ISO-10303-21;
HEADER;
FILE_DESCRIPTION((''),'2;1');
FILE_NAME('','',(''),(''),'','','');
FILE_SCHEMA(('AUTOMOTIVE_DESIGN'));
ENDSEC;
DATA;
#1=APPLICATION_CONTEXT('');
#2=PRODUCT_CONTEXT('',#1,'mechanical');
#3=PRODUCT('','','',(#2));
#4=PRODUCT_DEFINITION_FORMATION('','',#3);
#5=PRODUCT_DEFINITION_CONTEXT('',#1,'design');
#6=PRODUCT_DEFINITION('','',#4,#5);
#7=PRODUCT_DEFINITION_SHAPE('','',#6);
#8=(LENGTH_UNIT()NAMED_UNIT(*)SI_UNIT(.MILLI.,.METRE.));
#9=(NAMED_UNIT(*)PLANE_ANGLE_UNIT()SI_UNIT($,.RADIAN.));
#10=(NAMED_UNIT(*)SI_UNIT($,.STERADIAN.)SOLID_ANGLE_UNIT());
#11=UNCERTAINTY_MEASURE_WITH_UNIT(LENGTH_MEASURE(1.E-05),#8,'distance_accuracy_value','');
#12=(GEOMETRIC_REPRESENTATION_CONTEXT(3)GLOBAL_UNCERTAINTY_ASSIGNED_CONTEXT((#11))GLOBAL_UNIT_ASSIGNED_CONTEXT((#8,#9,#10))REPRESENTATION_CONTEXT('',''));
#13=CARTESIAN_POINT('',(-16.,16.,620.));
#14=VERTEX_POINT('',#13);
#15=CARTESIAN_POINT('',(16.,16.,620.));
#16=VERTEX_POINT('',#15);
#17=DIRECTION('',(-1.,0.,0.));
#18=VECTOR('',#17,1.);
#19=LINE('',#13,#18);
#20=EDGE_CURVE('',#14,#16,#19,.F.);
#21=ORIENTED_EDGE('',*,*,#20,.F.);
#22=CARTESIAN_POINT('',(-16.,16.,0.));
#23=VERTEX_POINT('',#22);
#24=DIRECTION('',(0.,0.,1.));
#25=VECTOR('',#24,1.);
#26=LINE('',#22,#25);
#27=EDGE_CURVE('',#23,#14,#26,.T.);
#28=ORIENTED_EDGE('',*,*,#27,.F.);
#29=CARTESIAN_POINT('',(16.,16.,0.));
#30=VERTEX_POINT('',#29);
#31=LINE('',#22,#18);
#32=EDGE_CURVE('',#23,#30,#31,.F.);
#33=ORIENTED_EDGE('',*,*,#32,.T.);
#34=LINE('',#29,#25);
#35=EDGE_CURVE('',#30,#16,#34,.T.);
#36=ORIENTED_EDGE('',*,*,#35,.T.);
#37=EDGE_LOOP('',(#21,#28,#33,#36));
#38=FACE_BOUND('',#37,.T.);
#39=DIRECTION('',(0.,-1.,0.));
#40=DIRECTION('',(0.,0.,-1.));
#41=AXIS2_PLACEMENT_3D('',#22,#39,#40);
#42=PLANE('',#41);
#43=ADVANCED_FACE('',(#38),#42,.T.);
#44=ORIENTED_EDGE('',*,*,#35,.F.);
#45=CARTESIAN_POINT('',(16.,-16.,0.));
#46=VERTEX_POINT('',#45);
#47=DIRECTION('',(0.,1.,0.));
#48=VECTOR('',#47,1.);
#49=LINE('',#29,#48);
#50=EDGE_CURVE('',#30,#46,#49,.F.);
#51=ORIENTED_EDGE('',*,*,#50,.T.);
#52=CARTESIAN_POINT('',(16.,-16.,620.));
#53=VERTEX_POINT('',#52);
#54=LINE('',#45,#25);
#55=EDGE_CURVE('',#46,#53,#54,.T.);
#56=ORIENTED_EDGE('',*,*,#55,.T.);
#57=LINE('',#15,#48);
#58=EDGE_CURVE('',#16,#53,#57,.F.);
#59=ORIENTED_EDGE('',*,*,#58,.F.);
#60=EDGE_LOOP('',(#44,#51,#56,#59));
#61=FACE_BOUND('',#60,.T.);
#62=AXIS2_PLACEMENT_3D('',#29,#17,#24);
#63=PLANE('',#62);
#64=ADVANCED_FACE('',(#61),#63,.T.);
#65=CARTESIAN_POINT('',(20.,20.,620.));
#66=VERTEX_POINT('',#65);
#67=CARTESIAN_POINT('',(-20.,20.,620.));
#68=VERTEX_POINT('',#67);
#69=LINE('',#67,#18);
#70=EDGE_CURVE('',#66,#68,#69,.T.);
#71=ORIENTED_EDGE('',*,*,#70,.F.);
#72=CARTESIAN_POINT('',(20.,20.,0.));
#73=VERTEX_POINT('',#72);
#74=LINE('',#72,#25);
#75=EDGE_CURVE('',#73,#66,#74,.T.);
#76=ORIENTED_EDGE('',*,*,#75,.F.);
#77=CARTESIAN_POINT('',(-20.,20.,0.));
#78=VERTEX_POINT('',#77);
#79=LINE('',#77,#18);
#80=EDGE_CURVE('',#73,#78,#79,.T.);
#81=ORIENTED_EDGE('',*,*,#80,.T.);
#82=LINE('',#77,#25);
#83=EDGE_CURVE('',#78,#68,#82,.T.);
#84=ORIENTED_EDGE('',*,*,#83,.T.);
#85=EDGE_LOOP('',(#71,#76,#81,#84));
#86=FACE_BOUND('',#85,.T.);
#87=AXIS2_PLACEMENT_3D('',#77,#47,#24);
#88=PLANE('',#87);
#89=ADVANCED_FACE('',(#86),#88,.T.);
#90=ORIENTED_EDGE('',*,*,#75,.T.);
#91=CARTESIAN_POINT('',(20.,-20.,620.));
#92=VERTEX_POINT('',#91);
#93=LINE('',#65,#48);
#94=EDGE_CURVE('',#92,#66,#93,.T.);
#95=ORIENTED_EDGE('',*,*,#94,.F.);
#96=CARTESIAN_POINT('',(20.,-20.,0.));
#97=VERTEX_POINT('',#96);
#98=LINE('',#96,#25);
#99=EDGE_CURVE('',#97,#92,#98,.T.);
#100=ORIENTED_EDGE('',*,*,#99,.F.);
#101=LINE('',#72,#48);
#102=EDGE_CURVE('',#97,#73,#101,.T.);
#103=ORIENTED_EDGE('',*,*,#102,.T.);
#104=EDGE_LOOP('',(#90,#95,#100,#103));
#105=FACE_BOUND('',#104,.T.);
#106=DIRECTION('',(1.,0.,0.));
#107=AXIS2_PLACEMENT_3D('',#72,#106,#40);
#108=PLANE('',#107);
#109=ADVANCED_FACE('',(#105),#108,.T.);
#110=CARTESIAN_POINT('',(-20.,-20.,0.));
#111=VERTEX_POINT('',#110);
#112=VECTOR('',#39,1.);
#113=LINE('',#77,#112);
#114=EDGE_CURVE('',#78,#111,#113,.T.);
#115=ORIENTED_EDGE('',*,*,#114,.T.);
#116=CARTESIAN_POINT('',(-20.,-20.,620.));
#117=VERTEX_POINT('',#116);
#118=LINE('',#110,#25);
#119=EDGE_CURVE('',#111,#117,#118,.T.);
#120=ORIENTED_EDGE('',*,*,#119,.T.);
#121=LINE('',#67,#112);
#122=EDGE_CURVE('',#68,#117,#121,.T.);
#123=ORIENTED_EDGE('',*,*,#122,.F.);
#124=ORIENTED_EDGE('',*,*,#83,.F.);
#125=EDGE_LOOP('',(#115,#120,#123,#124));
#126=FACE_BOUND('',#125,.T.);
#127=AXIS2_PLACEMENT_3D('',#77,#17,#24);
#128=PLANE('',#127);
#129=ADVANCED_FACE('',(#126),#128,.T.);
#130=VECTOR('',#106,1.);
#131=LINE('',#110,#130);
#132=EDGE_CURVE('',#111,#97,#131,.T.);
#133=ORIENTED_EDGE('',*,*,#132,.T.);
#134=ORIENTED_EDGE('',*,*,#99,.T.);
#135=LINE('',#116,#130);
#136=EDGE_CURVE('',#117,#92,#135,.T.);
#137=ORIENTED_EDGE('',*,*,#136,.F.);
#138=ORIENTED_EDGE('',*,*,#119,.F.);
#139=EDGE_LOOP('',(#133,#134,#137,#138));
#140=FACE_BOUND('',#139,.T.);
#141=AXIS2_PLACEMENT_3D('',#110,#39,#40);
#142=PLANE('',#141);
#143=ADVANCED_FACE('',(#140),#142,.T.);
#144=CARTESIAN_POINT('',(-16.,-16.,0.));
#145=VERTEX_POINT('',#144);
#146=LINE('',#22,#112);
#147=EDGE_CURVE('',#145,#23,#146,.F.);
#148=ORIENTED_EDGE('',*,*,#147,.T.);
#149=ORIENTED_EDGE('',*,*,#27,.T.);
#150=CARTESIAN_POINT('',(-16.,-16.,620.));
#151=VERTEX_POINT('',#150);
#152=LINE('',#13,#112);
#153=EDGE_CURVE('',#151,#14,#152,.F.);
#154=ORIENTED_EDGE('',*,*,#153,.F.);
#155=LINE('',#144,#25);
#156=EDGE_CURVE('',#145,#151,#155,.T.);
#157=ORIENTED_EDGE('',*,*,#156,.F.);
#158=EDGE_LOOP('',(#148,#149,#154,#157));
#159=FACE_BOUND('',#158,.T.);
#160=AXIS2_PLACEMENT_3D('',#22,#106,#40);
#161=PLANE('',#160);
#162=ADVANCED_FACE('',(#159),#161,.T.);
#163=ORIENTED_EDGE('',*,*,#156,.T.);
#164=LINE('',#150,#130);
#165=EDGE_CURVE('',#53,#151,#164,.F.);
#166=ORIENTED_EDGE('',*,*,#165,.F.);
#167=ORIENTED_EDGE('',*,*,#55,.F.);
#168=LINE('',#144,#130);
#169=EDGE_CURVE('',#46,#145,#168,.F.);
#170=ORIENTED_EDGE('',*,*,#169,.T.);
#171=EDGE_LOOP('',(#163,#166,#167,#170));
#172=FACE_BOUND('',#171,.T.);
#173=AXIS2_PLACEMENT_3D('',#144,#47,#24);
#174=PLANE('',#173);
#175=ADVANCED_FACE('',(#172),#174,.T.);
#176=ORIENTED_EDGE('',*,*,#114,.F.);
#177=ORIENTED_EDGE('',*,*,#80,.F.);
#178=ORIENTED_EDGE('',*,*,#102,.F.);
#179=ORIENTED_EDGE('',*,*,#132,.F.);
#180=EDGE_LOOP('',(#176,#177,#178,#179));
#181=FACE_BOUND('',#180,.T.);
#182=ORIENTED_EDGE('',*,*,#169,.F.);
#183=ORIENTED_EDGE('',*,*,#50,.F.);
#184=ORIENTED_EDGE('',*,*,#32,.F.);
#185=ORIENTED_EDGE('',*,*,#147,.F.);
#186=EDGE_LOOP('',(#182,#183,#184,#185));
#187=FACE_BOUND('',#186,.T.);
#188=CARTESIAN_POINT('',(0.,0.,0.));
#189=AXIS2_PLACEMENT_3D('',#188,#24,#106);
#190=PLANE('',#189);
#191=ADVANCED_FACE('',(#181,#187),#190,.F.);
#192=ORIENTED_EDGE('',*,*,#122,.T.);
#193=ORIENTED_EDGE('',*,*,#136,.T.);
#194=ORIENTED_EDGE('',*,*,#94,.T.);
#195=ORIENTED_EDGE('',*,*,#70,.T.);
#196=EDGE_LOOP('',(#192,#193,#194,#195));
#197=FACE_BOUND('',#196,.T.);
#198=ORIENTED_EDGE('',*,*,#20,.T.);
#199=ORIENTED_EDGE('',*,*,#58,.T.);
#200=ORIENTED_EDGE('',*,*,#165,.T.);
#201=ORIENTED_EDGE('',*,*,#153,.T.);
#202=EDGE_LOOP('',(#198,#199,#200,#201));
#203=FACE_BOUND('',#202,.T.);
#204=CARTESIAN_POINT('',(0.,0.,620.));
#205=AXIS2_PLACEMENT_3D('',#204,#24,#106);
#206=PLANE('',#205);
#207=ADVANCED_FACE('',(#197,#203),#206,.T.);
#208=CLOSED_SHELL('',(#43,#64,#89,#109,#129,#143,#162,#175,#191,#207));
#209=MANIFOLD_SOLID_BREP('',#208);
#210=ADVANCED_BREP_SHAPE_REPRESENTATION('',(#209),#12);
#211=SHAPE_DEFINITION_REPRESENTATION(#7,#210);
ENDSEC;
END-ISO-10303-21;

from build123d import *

# Parameters (mm, degrees)
SKETCH1_W   = 40
SKETCH1_H   = 40
SKETCH1_W_2 = 32
SKETCH1_H_2 = 32


with BuildPart() as part:
    # Sweep1: sweep along a curve in space
    with BuildLine() as sweep1_path:
        add(Edge.make_bspline(
            [(0, 0, 0), (0, 0, 620)],
            knots=[0, 0, 1, 1], degree=1))
    # Sketch1 → Sweep1 (sweep)
    with BuildSketch(Plane.XY):
        Rectangle(SKETCH1_W, SKETCH1_H)
        Rectangle(SKETCH1_W_2, SKETCH1_H_2, mode=Mode.SUBTRACT)
    sweep(path=sweep1_path.line)


solid = part.part
